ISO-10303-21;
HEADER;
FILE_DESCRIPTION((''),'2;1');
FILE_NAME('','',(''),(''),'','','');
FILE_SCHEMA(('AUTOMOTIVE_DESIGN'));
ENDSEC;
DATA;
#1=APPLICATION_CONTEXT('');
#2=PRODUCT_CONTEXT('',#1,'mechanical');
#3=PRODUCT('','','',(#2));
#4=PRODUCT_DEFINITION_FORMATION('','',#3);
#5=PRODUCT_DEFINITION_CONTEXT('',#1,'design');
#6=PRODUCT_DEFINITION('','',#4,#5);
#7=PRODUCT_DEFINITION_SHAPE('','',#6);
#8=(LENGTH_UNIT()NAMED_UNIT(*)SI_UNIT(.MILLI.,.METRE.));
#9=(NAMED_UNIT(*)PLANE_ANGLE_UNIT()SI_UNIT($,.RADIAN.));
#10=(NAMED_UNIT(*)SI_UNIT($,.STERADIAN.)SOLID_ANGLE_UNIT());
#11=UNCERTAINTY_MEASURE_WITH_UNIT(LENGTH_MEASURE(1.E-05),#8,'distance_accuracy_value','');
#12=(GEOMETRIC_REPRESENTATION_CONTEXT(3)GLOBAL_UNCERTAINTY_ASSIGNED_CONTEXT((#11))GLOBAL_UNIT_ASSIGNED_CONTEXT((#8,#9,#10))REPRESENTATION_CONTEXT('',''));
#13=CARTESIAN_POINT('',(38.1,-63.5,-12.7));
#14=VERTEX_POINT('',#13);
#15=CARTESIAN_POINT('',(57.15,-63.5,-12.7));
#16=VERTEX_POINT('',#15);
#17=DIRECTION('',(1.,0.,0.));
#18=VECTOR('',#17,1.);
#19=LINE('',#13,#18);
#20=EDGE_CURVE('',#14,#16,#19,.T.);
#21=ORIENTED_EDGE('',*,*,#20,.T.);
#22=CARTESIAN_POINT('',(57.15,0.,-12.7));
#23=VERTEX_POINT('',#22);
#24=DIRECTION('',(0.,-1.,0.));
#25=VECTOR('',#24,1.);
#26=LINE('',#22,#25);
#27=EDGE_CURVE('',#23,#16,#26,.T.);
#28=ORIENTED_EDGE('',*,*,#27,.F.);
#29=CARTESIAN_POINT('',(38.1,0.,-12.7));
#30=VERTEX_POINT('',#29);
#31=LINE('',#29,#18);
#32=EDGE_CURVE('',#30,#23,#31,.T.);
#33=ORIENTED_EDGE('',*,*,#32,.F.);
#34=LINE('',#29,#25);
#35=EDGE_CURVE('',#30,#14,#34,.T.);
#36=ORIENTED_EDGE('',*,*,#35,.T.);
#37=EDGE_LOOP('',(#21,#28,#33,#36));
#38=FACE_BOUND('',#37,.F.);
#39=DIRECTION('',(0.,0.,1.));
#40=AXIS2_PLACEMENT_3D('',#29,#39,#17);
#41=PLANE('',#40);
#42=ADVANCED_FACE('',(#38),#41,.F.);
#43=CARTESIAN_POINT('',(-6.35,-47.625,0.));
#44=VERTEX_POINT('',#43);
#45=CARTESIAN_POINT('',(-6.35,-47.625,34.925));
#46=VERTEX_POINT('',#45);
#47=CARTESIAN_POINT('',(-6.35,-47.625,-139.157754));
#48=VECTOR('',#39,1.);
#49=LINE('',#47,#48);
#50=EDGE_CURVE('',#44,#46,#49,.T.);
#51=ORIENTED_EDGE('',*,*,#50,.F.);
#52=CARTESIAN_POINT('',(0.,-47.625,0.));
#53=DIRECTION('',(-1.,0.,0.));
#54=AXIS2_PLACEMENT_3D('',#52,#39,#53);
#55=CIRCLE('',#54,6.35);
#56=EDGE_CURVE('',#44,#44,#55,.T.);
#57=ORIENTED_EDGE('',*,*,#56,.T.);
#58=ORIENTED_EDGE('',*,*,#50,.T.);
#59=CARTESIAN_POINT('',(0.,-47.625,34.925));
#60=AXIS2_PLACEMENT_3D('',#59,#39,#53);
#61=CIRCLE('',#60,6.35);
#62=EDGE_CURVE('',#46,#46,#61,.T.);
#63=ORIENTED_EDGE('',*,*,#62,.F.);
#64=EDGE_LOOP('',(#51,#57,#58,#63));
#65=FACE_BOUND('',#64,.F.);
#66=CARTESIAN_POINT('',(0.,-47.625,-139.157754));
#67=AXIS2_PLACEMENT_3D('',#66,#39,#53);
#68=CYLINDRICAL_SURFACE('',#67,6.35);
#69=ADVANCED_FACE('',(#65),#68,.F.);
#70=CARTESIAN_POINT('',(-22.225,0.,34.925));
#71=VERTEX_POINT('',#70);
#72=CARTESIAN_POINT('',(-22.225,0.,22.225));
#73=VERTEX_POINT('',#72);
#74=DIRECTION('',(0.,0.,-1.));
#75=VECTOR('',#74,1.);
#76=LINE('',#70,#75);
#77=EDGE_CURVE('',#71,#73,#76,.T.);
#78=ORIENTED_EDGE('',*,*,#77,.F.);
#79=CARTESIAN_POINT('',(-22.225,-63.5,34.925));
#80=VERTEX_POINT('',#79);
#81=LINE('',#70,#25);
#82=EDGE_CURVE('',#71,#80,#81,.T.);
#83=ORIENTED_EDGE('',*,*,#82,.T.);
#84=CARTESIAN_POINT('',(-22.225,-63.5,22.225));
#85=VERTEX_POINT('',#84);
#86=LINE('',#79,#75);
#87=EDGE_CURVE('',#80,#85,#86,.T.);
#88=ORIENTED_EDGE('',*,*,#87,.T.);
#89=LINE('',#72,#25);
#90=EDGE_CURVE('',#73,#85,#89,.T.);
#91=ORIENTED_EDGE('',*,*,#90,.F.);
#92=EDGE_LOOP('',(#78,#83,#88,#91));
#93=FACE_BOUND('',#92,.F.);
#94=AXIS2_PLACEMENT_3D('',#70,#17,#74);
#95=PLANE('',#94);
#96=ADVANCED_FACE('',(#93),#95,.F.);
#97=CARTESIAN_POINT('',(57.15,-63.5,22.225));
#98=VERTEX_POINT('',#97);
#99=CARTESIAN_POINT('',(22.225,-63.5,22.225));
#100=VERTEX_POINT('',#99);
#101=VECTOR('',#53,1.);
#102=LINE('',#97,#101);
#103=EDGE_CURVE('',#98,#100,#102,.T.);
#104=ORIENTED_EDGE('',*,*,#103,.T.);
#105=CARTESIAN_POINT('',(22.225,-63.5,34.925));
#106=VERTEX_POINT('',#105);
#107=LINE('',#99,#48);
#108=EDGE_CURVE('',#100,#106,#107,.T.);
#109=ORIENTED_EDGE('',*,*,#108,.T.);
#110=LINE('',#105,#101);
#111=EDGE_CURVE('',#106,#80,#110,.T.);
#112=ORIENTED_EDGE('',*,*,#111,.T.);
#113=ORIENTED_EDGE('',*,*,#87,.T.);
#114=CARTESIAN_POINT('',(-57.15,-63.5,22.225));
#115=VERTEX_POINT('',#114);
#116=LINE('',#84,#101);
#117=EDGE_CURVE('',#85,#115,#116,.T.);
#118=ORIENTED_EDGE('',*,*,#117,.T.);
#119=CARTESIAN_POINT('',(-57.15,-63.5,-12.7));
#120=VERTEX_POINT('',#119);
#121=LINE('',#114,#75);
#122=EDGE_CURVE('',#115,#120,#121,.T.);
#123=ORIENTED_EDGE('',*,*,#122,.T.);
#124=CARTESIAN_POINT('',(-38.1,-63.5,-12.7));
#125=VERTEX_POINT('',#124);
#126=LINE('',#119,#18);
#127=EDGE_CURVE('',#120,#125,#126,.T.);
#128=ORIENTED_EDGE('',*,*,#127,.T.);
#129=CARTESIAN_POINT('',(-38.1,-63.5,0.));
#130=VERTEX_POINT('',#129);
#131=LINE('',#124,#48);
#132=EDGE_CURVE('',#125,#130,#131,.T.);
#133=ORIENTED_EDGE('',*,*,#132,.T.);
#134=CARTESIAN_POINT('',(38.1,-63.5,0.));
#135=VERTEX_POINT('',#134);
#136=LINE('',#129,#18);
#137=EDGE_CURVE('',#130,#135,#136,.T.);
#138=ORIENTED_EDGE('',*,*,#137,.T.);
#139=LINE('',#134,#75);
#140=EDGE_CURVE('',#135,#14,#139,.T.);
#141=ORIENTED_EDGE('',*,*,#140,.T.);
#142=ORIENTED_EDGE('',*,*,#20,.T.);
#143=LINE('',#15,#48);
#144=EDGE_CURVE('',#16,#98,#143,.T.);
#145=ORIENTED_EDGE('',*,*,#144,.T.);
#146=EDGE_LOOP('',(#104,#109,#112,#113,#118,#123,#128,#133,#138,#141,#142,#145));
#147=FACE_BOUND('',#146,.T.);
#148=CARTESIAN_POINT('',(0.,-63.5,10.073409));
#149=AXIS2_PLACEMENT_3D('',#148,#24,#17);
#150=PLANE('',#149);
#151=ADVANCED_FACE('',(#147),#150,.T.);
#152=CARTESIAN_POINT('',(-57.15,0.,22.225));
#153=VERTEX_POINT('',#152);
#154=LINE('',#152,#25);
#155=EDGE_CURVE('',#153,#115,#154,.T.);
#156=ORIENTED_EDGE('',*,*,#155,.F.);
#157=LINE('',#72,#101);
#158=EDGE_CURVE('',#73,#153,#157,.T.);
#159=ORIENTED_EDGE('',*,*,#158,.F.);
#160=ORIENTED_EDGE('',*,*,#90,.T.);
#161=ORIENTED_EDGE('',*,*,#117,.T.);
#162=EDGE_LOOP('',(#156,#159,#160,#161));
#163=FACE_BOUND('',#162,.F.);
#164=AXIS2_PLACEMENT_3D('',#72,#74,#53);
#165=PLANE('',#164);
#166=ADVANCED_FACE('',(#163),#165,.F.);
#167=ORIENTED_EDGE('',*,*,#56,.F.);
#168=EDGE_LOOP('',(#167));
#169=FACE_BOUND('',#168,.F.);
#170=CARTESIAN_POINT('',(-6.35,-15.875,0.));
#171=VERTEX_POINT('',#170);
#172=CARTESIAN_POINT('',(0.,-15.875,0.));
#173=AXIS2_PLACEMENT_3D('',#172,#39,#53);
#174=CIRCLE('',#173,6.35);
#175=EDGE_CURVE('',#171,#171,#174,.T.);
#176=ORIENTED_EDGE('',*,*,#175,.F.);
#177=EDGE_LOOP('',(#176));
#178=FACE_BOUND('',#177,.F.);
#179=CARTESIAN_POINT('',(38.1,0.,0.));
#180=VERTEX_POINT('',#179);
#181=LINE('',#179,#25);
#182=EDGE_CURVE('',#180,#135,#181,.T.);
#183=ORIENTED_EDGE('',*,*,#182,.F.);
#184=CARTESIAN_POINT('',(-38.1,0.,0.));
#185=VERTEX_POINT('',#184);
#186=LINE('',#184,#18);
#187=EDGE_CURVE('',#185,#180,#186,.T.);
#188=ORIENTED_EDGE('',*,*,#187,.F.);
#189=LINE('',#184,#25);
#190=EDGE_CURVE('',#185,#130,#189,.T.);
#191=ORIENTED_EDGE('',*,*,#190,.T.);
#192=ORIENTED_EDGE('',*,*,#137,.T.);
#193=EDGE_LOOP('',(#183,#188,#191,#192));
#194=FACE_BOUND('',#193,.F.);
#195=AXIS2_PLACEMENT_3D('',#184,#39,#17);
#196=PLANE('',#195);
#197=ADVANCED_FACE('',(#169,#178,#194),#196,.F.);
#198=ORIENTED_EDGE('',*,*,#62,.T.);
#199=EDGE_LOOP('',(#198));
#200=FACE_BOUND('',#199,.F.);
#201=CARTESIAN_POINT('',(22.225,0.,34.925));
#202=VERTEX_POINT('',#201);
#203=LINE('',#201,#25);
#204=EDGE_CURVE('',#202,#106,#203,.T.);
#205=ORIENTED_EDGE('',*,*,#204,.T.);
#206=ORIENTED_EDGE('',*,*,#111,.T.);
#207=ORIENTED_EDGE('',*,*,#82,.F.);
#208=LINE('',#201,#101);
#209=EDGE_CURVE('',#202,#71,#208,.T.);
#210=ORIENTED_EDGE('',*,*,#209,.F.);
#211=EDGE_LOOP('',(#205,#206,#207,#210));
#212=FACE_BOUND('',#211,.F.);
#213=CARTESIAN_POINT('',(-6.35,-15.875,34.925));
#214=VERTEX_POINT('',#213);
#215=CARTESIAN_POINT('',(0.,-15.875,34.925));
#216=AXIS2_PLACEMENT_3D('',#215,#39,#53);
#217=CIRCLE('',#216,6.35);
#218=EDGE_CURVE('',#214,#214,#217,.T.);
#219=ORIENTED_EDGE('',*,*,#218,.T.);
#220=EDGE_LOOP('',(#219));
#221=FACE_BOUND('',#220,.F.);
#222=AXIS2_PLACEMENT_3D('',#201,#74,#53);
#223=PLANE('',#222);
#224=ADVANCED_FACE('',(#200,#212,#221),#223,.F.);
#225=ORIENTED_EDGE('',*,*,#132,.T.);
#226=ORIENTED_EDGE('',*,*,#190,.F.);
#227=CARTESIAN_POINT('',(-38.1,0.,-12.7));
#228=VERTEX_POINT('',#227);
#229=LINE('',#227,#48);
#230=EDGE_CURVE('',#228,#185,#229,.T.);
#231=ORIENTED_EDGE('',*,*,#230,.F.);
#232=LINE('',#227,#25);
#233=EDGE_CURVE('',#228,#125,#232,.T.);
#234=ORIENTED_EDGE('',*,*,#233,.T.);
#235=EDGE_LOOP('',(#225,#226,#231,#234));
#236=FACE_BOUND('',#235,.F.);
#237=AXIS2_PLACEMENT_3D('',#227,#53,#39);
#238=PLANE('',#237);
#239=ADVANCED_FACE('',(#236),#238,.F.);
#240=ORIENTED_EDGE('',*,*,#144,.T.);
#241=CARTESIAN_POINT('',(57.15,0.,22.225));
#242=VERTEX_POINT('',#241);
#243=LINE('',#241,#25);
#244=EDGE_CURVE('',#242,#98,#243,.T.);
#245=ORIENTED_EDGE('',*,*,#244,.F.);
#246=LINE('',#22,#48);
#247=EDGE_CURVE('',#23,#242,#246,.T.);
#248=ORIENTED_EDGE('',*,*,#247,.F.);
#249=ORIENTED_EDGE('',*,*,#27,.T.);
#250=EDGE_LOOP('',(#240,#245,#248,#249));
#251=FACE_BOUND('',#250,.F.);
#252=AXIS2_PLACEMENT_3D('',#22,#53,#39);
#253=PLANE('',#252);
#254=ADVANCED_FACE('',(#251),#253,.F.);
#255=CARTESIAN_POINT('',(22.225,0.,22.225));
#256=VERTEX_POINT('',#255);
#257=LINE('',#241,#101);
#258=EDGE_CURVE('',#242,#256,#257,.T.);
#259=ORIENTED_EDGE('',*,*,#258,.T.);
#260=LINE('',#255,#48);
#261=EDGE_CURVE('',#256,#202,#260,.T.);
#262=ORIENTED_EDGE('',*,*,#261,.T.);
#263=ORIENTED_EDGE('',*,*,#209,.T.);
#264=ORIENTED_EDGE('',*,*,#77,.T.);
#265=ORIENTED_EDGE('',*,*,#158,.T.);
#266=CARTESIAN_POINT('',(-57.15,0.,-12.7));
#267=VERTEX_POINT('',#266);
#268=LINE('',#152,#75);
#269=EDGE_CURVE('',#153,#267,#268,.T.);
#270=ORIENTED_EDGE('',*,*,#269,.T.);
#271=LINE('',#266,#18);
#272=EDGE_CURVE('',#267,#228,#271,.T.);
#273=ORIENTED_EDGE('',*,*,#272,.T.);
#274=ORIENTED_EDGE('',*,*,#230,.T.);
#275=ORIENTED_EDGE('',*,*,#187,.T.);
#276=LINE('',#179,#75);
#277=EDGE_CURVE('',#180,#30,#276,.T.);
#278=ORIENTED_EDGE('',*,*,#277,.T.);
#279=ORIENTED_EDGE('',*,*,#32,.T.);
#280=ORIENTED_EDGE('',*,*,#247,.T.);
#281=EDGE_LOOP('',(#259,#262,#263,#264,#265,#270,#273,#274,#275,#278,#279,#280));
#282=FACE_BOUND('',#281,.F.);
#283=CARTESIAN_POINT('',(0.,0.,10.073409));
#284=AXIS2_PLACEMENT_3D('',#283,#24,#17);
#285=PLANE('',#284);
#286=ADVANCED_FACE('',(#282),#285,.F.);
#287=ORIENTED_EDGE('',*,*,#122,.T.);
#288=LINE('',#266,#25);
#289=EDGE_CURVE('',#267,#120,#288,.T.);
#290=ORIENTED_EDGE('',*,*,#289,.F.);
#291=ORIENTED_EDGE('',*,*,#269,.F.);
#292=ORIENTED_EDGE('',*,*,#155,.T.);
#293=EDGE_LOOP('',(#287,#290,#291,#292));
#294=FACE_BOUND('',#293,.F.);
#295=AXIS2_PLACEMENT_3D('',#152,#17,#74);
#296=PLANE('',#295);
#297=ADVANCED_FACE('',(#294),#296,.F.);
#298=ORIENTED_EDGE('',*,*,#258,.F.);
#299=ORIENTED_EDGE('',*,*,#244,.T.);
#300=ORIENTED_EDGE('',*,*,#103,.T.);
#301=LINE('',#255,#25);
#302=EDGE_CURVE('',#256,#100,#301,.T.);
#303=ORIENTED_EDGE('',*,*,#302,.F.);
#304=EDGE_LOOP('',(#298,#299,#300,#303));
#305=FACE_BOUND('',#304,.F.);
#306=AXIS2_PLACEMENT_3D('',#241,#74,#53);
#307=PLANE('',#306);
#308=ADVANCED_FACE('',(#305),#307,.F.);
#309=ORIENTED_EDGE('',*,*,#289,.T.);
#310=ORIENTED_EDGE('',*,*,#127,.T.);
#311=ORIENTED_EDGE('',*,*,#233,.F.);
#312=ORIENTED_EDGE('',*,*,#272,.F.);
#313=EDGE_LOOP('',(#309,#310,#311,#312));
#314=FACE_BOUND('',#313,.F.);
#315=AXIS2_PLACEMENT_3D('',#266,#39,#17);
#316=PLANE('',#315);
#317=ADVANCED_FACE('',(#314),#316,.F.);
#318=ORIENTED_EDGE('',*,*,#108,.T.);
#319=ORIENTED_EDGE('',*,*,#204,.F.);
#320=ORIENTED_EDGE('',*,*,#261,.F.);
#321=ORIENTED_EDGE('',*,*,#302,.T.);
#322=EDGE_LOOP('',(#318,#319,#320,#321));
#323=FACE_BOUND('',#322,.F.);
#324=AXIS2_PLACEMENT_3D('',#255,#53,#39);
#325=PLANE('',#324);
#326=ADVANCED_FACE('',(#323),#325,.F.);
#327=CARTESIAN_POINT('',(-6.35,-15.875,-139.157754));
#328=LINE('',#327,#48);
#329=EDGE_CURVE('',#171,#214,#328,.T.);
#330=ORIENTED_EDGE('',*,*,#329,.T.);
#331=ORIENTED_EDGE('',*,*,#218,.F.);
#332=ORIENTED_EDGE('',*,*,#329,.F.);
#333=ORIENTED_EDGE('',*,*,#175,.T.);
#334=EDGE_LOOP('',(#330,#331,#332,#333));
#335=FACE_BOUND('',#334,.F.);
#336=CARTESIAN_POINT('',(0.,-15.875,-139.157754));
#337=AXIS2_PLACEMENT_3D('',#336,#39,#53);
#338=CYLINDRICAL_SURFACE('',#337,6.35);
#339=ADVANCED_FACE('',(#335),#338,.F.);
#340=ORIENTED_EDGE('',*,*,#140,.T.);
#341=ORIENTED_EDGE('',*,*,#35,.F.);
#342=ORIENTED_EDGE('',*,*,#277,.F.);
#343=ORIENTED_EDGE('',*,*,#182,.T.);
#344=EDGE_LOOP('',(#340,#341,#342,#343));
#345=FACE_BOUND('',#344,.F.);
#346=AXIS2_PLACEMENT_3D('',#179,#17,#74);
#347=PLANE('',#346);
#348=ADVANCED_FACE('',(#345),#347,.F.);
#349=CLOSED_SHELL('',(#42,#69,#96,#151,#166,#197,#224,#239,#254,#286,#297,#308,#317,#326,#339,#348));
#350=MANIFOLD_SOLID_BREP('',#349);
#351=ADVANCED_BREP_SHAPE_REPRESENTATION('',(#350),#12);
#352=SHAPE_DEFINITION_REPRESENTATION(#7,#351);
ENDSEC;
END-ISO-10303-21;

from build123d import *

# Parameters (mm, degrees)
F1_DEPTH = 63.5
F3_D     = 12.7
F4_D     = 12.7


with BuildPart() as f1:
    # F0 (on Front) → F1 (new body)
    with BuildSketch(Plane.XZ):
        Polygon((-38.1, -12.7), (-38.1, 0), (38.1, 0), (38.1, -12.7), (57.15, -12.7), (57.15, 22.225), (22.225, 22.225), (22.225, 34.925), (-22.225, 34.925), (-22.225, 22.225), (-57.15, 22.225), (-57.15, -12.7), align=None)
    extrude(amount=F1_DEPTH)

    # F3 (through all)
    with Locations(Plane(origin=(0, 0, 0), x_dir=(1, 0, 0), z_dir=(0, 0, -1))):
        with Locations((0, 47.625)):
            Hole(F3_D / 2)

    # F4 (through all)
    with Locations(Plane(origin=(0, 0, 0), x_dir=(1, 0, 0), z_dir=(0, 0, -1))):
        with Locations((0, 15.875)):
            Hole(F4_D / 2)


solid = f1.part
